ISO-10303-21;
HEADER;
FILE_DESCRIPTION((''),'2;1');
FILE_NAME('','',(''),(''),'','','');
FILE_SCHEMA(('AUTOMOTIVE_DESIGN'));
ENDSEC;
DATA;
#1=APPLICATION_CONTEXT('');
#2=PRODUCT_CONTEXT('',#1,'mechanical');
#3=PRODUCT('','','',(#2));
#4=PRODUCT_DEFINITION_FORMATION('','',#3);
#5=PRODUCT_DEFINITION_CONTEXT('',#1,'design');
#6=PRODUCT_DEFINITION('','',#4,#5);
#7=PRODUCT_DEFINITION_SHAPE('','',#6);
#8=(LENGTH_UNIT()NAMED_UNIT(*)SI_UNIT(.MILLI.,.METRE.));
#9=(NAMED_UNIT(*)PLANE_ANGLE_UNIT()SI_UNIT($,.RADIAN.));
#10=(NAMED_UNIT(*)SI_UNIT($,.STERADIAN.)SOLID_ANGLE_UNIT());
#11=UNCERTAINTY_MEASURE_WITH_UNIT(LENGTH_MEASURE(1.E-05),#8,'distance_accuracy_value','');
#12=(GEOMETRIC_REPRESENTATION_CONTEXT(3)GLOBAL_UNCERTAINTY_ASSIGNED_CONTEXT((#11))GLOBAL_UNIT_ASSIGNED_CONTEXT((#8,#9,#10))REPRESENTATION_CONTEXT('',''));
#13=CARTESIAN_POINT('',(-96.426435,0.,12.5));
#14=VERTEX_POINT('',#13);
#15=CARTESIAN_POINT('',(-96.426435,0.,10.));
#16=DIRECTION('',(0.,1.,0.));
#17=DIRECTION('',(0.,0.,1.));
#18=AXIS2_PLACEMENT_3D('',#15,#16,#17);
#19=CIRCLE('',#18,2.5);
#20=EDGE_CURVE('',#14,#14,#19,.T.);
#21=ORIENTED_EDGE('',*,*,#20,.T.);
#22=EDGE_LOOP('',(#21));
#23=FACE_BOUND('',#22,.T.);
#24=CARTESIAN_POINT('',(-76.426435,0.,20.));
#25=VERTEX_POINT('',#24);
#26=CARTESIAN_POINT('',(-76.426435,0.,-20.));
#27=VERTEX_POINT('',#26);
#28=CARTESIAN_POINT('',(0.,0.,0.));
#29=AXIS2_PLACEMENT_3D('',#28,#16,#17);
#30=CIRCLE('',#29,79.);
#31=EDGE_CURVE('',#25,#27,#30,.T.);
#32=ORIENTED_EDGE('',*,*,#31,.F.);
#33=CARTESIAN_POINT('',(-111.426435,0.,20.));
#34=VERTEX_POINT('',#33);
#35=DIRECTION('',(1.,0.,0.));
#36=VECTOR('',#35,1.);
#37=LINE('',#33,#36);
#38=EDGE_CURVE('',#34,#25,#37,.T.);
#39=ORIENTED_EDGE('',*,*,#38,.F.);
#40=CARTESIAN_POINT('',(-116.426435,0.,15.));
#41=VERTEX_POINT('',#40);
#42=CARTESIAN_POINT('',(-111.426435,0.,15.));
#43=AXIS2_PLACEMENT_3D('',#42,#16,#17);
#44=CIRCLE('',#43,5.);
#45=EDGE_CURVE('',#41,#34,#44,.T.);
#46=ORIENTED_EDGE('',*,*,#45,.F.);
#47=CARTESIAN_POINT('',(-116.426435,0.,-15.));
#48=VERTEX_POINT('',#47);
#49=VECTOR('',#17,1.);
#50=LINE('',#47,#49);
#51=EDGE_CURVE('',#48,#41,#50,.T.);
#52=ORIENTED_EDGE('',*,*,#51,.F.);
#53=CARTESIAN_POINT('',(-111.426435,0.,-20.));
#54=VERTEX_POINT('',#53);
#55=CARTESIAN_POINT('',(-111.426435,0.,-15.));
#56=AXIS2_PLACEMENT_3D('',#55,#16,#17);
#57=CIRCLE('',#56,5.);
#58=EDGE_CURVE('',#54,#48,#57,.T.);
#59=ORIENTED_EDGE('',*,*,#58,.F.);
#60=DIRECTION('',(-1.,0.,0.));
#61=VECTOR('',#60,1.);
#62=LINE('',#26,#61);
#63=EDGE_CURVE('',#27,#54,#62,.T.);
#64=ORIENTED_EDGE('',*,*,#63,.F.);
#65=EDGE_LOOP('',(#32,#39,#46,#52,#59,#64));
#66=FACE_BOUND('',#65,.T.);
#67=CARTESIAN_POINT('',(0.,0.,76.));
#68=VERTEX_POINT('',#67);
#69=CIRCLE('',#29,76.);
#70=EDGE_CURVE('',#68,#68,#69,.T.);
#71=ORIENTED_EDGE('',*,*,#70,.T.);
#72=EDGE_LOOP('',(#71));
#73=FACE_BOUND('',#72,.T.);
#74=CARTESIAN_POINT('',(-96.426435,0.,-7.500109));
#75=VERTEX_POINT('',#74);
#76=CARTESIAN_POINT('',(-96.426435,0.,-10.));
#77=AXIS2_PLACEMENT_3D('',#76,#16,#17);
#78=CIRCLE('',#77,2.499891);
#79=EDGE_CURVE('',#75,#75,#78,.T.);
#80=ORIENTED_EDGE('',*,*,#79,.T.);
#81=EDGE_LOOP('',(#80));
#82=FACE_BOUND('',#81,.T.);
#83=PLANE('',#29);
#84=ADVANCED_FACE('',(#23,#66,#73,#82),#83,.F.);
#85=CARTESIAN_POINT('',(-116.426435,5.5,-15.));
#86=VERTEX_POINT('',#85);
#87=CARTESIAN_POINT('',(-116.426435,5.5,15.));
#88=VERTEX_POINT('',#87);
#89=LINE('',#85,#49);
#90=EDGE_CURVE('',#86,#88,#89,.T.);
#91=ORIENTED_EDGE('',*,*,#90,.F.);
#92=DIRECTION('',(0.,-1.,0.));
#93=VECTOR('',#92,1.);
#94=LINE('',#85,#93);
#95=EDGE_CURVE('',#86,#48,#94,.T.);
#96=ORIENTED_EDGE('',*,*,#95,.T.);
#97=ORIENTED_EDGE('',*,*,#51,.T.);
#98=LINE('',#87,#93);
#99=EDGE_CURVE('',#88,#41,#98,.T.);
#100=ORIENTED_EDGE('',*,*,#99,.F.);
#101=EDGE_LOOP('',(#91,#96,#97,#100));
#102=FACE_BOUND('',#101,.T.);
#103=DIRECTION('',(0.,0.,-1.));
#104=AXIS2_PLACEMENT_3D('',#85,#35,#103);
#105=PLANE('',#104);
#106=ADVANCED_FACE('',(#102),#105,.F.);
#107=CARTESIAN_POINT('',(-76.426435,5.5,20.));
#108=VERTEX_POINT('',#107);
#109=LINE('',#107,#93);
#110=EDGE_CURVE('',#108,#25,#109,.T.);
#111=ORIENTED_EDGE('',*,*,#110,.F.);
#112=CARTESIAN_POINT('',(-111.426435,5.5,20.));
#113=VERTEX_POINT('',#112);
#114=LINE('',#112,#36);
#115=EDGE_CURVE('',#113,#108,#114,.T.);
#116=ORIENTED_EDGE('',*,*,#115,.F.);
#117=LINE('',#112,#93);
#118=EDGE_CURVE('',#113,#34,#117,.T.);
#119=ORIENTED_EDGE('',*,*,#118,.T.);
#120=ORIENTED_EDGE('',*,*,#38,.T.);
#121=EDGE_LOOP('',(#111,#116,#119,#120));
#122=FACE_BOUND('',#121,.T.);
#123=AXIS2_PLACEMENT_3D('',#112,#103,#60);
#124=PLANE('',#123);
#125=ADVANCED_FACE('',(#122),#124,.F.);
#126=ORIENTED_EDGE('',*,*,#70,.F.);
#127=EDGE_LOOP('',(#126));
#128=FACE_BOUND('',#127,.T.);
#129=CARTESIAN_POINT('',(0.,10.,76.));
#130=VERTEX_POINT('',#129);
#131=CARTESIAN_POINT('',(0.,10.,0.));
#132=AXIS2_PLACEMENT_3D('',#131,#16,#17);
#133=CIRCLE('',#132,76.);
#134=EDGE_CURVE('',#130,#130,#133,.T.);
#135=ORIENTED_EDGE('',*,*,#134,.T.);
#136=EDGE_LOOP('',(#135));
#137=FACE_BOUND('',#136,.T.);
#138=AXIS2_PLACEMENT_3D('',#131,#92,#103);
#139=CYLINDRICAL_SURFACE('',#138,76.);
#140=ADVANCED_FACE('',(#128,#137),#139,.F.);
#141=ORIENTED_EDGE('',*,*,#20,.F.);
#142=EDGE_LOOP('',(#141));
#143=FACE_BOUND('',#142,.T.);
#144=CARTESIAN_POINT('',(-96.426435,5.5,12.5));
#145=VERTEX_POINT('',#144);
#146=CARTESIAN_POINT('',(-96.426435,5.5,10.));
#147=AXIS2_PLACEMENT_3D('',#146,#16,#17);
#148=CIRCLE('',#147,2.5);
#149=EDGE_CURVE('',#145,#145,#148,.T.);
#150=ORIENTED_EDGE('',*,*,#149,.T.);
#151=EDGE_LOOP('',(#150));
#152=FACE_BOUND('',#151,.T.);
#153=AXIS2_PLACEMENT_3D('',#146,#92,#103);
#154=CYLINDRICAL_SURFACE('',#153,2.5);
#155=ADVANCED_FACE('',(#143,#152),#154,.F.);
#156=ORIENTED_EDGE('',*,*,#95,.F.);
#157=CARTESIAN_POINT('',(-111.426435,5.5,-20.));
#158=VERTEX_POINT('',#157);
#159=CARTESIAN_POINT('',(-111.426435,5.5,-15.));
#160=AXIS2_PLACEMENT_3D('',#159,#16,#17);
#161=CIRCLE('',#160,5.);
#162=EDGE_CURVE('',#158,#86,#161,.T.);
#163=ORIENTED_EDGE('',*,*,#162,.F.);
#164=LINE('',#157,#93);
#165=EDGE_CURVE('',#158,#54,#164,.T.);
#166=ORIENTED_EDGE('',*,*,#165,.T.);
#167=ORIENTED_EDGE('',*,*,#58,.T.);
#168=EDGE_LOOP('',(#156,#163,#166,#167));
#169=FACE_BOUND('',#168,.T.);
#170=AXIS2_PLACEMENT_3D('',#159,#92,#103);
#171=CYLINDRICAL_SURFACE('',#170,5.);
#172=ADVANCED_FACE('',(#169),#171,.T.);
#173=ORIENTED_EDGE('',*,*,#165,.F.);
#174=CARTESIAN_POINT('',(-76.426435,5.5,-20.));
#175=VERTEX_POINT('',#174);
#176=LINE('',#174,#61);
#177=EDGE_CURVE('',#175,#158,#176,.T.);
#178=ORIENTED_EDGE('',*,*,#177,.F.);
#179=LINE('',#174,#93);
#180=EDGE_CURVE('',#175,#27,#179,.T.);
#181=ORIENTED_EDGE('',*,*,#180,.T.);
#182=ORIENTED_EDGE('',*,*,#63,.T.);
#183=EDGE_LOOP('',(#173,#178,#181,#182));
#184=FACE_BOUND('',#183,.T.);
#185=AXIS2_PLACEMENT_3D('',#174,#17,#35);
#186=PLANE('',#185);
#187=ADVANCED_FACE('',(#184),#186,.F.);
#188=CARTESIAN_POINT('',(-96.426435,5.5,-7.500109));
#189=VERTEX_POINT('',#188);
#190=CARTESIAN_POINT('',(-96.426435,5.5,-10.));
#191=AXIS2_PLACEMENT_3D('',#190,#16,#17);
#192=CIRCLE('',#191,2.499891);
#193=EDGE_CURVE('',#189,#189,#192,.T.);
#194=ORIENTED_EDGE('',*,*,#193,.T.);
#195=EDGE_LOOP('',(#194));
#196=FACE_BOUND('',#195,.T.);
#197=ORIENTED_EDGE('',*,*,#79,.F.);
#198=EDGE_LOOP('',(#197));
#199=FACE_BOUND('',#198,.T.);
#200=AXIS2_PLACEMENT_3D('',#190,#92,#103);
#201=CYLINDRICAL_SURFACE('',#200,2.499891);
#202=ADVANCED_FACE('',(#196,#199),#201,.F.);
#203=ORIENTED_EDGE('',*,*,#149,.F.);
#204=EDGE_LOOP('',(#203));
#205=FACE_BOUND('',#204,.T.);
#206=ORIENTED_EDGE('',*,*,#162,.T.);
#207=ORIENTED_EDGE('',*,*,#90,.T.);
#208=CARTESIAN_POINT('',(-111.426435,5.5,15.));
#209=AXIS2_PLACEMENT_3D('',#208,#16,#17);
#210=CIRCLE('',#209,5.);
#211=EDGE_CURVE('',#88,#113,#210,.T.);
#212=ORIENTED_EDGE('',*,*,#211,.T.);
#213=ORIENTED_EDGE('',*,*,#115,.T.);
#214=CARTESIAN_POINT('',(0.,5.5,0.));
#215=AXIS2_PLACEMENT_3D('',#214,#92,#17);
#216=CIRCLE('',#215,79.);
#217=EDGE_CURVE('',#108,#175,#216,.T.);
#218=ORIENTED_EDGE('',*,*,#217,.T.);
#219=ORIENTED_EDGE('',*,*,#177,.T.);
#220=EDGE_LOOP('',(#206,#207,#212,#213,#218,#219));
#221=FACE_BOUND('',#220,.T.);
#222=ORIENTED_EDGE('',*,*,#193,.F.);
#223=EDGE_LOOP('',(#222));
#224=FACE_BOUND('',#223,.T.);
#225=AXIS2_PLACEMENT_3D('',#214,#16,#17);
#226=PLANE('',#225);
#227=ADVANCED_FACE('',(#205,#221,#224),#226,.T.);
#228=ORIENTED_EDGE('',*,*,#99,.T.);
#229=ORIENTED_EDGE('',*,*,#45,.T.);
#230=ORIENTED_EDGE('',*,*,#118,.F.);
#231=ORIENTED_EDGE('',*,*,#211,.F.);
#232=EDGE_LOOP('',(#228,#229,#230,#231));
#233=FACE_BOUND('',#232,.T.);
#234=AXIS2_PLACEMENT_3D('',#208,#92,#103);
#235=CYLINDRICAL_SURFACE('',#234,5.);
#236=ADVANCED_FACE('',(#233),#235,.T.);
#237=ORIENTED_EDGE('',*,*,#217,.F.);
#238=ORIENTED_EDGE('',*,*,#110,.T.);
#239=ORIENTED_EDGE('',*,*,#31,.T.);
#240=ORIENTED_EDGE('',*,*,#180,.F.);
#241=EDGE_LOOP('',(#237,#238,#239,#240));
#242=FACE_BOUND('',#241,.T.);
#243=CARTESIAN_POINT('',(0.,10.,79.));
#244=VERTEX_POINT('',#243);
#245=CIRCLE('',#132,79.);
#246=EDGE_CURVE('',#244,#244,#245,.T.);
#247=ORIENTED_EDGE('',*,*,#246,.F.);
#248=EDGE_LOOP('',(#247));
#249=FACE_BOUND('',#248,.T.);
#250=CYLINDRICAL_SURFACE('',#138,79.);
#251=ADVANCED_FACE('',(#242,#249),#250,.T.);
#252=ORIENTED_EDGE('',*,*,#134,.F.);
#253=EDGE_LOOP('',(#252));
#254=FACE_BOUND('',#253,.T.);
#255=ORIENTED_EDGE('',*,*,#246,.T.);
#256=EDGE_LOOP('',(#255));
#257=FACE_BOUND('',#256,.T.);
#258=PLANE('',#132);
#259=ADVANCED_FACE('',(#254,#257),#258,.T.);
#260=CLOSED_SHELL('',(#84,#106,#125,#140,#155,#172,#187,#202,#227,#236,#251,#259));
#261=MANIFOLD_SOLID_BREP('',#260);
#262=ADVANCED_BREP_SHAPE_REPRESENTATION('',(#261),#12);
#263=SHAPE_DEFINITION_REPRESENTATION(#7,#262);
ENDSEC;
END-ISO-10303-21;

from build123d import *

# Parameters (mm, degrees)
CROQUIS1_R              = 79
CROQUIS1_R_2            = 76
SALIENTE_EXTRUIR1_DEPTH = 10
CROQUIS2_R              = 2.499891185
CROQUIS2_R_2            = 2.5
SALIENTE_EXTRUIR2_DEPTH = 5.5


with BuildPart() as part:
    # Croquis1 → Saliente-Extruir1 (new body)
    with BuildSketch(Plane(origin=(0, 0, 0), x_dir=(1, 0, 0), z_dir=(0, 1, 0))):
        with Locations(Location((0, 0, 0), (0, 0, 270))):
            Circle(CROQUIS1_R)
        with Locations(Location((0, 0, 0), (0, 0, 270))):
            Circle(CROQUIS1_R_2, mode=Mode.SUBTRACT)
    extrude(amount=SALIENTE_EXTRUIR1_DEPTH)

    # Croquis2 → Saliente-Extruir2 (add)
    with BuildSketch(Plane(origin=(0, 0, 0), x_dir=(1, 0, 0), z_dir=(0, 1, 0))):
        with BuildLine():
            Line((-76.426435217, 20), (-111.426435217, 20))
            ThreePointArc((-111.426435217, 20), (-114.961969123, 18.535533906), (-116.426435217, 15))
            Line((-116.426435217, 15), (-116.426435217, -15))
            ThreePointArc((-116.426435217, -15), (-114.961969123, -18.535533906), (-111.426435217, -20))
            Line((-111.426435217, -20), (-76.426435217, -20))
            ThreePointArc((-76.426435217, -20), (-79, 0), (-76.426435217, 20))
        make_face()
        with Locations(Location((-96.426435217, 10, 0), (0, 0, 270))):
            Circle(CROQUIS2_R, mode=Mode.SUBTRACT)
        with Locations(Location((-96.426435217, -10, 0), (0, 0, 270))):
            Circle(CROQUIS2_R_2, mode=Mode.SUBTRACT)
    extrude(amount=SALIENTE_EXTRUIR2_DEPTH)


solid = part.part
